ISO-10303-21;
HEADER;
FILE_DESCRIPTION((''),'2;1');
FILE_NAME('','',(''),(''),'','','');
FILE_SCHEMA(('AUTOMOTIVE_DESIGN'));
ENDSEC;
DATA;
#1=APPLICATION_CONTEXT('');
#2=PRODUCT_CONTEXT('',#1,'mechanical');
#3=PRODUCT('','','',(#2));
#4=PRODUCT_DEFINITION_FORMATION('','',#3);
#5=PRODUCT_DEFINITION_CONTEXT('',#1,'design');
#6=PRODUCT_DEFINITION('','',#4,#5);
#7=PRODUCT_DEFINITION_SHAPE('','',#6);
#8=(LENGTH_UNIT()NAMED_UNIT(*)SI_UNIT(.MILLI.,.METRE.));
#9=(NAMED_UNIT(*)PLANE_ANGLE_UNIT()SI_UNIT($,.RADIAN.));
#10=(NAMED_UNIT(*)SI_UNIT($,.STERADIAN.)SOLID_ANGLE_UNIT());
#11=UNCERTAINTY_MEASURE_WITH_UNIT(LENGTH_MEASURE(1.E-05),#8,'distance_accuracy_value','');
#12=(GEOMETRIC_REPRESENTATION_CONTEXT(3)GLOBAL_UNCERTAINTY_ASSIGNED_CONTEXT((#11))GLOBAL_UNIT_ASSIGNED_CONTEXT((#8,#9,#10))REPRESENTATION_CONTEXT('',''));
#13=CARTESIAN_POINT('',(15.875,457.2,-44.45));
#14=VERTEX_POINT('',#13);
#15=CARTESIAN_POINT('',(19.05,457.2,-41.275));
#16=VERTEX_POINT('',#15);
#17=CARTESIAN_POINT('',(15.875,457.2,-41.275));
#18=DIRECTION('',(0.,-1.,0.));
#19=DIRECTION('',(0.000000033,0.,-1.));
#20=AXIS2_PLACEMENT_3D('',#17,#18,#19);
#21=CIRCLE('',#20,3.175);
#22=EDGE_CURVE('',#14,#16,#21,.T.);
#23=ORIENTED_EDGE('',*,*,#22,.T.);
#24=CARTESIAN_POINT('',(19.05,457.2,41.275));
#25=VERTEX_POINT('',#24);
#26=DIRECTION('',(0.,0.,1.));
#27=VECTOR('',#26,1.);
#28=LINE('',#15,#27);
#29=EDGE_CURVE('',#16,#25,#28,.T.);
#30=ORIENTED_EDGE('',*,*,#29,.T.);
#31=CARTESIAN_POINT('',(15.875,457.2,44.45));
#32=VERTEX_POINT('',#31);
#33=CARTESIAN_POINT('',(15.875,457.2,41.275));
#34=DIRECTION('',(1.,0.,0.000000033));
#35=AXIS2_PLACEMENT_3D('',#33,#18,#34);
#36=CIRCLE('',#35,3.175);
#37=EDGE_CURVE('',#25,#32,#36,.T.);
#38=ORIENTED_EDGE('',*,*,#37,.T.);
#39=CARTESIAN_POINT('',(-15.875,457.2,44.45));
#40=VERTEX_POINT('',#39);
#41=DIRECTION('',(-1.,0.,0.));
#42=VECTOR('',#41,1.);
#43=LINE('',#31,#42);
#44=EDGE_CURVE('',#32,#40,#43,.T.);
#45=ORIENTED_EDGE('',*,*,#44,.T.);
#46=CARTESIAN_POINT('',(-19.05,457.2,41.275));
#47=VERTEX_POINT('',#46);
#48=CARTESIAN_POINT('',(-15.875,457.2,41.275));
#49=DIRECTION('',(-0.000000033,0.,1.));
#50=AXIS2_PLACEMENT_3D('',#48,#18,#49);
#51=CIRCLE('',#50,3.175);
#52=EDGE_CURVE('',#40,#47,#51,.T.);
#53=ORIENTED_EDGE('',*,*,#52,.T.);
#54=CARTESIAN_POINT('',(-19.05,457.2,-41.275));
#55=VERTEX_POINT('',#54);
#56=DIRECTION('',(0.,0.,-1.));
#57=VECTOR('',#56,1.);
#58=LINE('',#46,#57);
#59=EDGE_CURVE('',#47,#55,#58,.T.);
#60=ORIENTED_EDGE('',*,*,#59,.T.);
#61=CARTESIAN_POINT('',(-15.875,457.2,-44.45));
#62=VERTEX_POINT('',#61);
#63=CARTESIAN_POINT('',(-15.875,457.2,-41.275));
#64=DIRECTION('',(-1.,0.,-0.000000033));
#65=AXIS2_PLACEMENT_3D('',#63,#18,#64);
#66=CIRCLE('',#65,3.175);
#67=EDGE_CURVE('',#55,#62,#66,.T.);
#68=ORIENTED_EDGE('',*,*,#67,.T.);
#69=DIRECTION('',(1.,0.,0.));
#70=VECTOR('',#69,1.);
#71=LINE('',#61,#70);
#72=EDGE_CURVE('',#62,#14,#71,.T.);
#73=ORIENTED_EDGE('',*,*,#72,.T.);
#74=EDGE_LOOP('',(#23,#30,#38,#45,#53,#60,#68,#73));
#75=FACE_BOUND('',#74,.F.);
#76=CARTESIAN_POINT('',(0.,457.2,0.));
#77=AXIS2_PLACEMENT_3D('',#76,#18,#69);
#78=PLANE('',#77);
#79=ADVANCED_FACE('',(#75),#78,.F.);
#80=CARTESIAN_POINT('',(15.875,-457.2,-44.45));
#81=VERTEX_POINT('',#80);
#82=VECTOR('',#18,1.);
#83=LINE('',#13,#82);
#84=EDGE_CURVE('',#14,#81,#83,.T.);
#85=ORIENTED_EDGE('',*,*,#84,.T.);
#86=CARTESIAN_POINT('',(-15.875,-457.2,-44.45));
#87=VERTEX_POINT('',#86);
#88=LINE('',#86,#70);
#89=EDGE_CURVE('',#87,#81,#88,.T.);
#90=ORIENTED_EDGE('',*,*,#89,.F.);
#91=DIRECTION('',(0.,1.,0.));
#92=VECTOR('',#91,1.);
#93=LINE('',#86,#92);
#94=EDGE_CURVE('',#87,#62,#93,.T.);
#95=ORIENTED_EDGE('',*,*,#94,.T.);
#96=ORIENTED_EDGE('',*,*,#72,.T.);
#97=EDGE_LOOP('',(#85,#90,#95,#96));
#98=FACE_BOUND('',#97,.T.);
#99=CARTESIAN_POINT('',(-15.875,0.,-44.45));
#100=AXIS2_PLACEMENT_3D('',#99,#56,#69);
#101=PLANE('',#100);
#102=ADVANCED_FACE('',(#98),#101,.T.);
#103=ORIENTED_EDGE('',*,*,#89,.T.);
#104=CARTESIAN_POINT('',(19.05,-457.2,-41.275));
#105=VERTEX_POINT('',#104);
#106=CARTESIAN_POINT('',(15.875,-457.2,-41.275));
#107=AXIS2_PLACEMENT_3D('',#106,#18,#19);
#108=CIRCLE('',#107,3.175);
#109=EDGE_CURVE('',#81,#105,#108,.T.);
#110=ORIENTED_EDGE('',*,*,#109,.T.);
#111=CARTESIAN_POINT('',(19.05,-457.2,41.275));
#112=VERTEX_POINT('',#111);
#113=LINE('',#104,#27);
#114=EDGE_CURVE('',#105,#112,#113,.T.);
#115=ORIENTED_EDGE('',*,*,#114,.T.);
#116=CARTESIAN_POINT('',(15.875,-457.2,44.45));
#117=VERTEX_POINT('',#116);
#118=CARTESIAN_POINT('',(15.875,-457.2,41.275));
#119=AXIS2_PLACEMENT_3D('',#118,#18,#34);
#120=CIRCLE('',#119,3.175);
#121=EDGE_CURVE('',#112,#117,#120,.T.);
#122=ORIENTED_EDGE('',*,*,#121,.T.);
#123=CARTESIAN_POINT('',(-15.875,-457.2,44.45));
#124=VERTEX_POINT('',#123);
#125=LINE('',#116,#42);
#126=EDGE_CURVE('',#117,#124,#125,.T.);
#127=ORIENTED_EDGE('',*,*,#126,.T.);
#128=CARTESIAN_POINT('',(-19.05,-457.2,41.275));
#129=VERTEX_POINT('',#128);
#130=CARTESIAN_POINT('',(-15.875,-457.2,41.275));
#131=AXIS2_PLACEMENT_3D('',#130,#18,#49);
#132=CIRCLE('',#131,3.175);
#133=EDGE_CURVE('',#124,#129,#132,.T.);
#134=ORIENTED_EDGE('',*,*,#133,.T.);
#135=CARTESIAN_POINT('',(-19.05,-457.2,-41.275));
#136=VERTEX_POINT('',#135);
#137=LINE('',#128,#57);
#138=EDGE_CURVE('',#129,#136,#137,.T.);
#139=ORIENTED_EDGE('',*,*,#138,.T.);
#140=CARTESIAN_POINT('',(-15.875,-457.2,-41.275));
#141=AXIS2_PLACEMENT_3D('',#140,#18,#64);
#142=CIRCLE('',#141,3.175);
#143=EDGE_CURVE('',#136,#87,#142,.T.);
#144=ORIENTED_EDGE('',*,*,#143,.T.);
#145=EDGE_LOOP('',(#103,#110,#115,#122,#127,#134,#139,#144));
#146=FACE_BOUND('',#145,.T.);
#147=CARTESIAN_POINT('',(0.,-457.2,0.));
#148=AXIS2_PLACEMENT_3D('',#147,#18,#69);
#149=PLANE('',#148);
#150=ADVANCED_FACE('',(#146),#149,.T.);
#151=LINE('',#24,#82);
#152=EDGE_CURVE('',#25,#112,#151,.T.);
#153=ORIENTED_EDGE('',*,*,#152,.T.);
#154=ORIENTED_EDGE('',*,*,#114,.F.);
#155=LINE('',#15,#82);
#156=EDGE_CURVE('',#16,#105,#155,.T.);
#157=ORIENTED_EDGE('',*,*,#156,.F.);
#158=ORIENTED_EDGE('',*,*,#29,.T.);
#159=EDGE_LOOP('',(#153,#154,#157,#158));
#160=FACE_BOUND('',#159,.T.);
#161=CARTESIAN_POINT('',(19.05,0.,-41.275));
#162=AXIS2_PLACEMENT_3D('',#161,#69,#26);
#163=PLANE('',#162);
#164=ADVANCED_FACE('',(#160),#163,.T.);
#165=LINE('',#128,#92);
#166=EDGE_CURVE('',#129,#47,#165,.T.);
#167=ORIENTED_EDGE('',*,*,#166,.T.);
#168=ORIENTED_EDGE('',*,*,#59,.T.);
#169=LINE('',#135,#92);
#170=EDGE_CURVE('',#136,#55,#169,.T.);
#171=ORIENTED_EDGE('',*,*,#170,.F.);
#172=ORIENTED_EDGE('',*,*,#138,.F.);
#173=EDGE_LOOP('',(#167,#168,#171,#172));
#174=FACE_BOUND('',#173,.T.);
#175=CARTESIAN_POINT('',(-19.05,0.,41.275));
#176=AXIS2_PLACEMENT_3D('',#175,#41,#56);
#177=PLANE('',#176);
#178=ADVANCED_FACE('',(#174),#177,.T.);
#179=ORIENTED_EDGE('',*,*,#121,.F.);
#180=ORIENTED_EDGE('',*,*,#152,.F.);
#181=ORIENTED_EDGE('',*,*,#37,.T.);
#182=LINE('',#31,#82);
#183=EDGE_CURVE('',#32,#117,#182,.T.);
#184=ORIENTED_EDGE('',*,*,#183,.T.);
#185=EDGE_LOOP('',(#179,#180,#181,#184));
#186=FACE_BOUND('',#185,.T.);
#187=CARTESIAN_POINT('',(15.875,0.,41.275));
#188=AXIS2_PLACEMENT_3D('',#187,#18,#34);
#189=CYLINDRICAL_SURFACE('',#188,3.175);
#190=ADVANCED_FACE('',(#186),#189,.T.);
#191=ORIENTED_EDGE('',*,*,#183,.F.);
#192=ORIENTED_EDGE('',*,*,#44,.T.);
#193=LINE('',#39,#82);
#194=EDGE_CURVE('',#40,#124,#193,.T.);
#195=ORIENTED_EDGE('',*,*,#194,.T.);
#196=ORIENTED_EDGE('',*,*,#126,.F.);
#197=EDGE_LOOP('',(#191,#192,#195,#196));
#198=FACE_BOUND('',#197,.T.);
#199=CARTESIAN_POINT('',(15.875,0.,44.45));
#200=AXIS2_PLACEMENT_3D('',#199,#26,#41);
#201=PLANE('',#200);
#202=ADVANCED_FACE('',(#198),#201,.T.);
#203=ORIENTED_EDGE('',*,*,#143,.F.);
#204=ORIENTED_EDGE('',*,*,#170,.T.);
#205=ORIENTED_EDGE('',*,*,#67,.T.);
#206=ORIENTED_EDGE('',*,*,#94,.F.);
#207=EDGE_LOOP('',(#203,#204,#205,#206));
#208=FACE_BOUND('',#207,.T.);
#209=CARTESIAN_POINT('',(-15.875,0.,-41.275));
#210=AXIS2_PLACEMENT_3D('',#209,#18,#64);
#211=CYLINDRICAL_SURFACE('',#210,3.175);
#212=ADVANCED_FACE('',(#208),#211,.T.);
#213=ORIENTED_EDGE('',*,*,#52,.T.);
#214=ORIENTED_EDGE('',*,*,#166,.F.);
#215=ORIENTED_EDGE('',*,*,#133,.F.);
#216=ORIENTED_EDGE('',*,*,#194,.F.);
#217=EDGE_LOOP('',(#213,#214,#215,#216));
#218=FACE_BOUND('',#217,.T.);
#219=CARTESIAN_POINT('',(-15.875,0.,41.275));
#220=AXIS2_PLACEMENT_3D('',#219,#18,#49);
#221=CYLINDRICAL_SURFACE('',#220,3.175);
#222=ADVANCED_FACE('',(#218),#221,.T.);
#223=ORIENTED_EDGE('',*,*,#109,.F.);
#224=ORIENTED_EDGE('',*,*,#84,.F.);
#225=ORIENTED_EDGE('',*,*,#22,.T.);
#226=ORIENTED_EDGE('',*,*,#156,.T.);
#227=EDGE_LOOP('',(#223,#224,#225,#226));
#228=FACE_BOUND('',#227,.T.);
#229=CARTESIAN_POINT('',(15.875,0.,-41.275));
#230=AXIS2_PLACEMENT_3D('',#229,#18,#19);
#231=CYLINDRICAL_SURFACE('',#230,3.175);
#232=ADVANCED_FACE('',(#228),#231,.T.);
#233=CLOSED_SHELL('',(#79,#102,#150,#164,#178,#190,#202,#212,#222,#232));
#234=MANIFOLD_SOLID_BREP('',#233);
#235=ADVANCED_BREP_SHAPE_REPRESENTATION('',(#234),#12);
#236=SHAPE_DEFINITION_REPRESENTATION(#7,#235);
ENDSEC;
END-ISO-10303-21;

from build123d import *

# Parameters (mm, degrees)
F1_DEPTH = 457.2


with BuildPart() as f1:
    # F0 (on Front) → F1 (new body, symmetric)
    with BuildSketch(Plane.XZ):
        with BuildLine():
            Line((-15.875, -44.45), (15.875, -44.45))
            ThreePointArc((15.875, -44.45), (18.120064, -43.520064), (19.05, -41.275))
            Line((19.05, -41.275), (19.05, 41.275))
            ThreePointArc((19.05, 41.275), (18.120064, 43.520064), (15.875, 44.45))
            Line((15.875, 44.45), (-15.875, 44.45))
            ThreePointArc((-15.875, 44.45), (-18.120064, 43.520064), (-19.05, 41.275))
            Line((-19.05, 41.275), (-19.05, -41.275))
            ThreePointArc((-19.05, -41.275), (-18.120064, -43.520064), (-15.875, -44.45))
        make_face()
    extrude(amount=F1_DEPTH, both=True)


solid = f1.part
